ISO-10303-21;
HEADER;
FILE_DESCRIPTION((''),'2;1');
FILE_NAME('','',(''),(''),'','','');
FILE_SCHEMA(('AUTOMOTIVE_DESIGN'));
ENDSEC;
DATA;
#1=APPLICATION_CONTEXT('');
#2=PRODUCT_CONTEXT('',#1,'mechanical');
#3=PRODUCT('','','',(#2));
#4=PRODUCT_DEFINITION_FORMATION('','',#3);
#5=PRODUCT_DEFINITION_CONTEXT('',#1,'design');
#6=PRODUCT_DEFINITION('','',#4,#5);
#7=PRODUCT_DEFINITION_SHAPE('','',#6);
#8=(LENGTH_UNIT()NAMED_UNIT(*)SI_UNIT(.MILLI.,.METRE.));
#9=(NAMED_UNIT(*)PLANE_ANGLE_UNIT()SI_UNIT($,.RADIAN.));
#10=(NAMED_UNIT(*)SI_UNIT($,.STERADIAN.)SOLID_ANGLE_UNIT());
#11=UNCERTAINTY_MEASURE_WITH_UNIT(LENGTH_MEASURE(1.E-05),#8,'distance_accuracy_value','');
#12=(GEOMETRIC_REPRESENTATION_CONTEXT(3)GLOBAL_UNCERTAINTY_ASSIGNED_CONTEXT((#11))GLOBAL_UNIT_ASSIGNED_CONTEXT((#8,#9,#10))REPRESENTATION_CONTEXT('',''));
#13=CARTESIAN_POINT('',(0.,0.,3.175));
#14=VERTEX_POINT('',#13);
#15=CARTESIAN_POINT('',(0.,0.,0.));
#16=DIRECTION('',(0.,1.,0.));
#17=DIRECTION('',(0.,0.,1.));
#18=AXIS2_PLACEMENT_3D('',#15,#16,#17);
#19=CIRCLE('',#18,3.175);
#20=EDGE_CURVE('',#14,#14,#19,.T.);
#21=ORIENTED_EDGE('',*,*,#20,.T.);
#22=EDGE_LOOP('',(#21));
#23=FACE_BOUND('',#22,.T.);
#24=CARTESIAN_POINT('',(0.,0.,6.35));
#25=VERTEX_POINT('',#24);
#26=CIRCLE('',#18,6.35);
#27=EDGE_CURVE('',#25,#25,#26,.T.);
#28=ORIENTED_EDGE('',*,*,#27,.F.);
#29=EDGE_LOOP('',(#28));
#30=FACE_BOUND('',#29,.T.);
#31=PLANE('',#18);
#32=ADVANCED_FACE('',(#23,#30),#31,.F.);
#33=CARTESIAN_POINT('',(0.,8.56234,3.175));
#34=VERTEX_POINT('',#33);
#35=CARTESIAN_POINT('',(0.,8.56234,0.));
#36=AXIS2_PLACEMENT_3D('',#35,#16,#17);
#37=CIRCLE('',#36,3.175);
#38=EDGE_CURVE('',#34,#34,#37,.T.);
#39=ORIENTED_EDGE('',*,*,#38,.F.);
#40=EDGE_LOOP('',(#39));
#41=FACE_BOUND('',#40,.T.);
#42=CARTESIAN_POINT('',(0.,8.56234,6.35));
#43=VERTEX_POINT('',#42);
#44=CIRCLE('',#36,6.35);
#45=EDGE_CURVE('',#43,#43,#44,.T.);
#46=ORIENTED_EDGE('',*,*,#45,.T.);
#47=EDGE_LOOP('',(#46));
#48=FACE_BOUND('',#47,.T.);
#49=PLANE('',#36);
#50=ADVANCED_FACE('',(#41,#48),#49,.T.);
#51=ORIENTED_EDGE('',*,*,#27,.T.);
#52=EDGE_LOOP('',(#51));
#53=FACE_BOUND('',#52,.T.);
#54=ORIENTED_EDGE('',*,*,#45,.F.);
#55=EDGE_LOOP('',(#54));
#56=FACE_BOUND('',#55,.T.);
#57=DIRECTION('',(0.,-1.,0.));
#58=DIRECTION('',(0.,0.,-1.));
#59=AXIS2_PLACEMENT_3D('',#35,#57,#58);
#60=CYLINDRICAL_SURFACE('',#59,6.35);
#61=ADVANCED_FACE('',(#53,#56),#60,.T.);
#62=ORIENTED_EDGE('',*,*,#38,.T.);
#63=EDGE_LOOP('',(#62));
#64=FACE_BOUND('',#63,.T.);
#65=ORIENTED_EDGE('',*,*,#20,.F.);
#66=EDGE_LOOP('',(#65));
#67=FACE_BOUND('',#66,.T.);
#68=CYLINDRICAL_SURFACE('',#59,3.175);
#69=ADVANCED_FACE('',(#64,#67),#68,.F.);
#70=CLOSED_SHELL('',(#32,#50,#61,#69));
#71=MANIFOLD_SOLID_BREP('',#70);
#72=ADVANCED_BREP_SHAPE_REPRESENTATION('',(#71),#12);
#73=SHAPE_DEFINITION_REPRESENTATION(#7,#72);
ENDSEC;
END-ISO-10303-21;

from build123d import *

# Parameters (mm, degrees)
SKETCH1_R           = 6.35
SKETCH1_R_2         = 3.175
BOSS_EXTRUDE1_DEPTH = 8.56234


with BuildPart() as part:
    # Sketch1 → Boss-Extrude1 (new body)
    with BuildSketch(Plane(origin=(0, 0, 0), x_dir=(1, 0, 0), z_dir=(0, 1, 0))):
        Circle(SKETCH1_R)
        Circle(SKETCH1_R_2, mode=Mode.SUBTRACT)
    extrude(amount=BOSS_EXTRUDE1_DEPTH)


solid = part.part
